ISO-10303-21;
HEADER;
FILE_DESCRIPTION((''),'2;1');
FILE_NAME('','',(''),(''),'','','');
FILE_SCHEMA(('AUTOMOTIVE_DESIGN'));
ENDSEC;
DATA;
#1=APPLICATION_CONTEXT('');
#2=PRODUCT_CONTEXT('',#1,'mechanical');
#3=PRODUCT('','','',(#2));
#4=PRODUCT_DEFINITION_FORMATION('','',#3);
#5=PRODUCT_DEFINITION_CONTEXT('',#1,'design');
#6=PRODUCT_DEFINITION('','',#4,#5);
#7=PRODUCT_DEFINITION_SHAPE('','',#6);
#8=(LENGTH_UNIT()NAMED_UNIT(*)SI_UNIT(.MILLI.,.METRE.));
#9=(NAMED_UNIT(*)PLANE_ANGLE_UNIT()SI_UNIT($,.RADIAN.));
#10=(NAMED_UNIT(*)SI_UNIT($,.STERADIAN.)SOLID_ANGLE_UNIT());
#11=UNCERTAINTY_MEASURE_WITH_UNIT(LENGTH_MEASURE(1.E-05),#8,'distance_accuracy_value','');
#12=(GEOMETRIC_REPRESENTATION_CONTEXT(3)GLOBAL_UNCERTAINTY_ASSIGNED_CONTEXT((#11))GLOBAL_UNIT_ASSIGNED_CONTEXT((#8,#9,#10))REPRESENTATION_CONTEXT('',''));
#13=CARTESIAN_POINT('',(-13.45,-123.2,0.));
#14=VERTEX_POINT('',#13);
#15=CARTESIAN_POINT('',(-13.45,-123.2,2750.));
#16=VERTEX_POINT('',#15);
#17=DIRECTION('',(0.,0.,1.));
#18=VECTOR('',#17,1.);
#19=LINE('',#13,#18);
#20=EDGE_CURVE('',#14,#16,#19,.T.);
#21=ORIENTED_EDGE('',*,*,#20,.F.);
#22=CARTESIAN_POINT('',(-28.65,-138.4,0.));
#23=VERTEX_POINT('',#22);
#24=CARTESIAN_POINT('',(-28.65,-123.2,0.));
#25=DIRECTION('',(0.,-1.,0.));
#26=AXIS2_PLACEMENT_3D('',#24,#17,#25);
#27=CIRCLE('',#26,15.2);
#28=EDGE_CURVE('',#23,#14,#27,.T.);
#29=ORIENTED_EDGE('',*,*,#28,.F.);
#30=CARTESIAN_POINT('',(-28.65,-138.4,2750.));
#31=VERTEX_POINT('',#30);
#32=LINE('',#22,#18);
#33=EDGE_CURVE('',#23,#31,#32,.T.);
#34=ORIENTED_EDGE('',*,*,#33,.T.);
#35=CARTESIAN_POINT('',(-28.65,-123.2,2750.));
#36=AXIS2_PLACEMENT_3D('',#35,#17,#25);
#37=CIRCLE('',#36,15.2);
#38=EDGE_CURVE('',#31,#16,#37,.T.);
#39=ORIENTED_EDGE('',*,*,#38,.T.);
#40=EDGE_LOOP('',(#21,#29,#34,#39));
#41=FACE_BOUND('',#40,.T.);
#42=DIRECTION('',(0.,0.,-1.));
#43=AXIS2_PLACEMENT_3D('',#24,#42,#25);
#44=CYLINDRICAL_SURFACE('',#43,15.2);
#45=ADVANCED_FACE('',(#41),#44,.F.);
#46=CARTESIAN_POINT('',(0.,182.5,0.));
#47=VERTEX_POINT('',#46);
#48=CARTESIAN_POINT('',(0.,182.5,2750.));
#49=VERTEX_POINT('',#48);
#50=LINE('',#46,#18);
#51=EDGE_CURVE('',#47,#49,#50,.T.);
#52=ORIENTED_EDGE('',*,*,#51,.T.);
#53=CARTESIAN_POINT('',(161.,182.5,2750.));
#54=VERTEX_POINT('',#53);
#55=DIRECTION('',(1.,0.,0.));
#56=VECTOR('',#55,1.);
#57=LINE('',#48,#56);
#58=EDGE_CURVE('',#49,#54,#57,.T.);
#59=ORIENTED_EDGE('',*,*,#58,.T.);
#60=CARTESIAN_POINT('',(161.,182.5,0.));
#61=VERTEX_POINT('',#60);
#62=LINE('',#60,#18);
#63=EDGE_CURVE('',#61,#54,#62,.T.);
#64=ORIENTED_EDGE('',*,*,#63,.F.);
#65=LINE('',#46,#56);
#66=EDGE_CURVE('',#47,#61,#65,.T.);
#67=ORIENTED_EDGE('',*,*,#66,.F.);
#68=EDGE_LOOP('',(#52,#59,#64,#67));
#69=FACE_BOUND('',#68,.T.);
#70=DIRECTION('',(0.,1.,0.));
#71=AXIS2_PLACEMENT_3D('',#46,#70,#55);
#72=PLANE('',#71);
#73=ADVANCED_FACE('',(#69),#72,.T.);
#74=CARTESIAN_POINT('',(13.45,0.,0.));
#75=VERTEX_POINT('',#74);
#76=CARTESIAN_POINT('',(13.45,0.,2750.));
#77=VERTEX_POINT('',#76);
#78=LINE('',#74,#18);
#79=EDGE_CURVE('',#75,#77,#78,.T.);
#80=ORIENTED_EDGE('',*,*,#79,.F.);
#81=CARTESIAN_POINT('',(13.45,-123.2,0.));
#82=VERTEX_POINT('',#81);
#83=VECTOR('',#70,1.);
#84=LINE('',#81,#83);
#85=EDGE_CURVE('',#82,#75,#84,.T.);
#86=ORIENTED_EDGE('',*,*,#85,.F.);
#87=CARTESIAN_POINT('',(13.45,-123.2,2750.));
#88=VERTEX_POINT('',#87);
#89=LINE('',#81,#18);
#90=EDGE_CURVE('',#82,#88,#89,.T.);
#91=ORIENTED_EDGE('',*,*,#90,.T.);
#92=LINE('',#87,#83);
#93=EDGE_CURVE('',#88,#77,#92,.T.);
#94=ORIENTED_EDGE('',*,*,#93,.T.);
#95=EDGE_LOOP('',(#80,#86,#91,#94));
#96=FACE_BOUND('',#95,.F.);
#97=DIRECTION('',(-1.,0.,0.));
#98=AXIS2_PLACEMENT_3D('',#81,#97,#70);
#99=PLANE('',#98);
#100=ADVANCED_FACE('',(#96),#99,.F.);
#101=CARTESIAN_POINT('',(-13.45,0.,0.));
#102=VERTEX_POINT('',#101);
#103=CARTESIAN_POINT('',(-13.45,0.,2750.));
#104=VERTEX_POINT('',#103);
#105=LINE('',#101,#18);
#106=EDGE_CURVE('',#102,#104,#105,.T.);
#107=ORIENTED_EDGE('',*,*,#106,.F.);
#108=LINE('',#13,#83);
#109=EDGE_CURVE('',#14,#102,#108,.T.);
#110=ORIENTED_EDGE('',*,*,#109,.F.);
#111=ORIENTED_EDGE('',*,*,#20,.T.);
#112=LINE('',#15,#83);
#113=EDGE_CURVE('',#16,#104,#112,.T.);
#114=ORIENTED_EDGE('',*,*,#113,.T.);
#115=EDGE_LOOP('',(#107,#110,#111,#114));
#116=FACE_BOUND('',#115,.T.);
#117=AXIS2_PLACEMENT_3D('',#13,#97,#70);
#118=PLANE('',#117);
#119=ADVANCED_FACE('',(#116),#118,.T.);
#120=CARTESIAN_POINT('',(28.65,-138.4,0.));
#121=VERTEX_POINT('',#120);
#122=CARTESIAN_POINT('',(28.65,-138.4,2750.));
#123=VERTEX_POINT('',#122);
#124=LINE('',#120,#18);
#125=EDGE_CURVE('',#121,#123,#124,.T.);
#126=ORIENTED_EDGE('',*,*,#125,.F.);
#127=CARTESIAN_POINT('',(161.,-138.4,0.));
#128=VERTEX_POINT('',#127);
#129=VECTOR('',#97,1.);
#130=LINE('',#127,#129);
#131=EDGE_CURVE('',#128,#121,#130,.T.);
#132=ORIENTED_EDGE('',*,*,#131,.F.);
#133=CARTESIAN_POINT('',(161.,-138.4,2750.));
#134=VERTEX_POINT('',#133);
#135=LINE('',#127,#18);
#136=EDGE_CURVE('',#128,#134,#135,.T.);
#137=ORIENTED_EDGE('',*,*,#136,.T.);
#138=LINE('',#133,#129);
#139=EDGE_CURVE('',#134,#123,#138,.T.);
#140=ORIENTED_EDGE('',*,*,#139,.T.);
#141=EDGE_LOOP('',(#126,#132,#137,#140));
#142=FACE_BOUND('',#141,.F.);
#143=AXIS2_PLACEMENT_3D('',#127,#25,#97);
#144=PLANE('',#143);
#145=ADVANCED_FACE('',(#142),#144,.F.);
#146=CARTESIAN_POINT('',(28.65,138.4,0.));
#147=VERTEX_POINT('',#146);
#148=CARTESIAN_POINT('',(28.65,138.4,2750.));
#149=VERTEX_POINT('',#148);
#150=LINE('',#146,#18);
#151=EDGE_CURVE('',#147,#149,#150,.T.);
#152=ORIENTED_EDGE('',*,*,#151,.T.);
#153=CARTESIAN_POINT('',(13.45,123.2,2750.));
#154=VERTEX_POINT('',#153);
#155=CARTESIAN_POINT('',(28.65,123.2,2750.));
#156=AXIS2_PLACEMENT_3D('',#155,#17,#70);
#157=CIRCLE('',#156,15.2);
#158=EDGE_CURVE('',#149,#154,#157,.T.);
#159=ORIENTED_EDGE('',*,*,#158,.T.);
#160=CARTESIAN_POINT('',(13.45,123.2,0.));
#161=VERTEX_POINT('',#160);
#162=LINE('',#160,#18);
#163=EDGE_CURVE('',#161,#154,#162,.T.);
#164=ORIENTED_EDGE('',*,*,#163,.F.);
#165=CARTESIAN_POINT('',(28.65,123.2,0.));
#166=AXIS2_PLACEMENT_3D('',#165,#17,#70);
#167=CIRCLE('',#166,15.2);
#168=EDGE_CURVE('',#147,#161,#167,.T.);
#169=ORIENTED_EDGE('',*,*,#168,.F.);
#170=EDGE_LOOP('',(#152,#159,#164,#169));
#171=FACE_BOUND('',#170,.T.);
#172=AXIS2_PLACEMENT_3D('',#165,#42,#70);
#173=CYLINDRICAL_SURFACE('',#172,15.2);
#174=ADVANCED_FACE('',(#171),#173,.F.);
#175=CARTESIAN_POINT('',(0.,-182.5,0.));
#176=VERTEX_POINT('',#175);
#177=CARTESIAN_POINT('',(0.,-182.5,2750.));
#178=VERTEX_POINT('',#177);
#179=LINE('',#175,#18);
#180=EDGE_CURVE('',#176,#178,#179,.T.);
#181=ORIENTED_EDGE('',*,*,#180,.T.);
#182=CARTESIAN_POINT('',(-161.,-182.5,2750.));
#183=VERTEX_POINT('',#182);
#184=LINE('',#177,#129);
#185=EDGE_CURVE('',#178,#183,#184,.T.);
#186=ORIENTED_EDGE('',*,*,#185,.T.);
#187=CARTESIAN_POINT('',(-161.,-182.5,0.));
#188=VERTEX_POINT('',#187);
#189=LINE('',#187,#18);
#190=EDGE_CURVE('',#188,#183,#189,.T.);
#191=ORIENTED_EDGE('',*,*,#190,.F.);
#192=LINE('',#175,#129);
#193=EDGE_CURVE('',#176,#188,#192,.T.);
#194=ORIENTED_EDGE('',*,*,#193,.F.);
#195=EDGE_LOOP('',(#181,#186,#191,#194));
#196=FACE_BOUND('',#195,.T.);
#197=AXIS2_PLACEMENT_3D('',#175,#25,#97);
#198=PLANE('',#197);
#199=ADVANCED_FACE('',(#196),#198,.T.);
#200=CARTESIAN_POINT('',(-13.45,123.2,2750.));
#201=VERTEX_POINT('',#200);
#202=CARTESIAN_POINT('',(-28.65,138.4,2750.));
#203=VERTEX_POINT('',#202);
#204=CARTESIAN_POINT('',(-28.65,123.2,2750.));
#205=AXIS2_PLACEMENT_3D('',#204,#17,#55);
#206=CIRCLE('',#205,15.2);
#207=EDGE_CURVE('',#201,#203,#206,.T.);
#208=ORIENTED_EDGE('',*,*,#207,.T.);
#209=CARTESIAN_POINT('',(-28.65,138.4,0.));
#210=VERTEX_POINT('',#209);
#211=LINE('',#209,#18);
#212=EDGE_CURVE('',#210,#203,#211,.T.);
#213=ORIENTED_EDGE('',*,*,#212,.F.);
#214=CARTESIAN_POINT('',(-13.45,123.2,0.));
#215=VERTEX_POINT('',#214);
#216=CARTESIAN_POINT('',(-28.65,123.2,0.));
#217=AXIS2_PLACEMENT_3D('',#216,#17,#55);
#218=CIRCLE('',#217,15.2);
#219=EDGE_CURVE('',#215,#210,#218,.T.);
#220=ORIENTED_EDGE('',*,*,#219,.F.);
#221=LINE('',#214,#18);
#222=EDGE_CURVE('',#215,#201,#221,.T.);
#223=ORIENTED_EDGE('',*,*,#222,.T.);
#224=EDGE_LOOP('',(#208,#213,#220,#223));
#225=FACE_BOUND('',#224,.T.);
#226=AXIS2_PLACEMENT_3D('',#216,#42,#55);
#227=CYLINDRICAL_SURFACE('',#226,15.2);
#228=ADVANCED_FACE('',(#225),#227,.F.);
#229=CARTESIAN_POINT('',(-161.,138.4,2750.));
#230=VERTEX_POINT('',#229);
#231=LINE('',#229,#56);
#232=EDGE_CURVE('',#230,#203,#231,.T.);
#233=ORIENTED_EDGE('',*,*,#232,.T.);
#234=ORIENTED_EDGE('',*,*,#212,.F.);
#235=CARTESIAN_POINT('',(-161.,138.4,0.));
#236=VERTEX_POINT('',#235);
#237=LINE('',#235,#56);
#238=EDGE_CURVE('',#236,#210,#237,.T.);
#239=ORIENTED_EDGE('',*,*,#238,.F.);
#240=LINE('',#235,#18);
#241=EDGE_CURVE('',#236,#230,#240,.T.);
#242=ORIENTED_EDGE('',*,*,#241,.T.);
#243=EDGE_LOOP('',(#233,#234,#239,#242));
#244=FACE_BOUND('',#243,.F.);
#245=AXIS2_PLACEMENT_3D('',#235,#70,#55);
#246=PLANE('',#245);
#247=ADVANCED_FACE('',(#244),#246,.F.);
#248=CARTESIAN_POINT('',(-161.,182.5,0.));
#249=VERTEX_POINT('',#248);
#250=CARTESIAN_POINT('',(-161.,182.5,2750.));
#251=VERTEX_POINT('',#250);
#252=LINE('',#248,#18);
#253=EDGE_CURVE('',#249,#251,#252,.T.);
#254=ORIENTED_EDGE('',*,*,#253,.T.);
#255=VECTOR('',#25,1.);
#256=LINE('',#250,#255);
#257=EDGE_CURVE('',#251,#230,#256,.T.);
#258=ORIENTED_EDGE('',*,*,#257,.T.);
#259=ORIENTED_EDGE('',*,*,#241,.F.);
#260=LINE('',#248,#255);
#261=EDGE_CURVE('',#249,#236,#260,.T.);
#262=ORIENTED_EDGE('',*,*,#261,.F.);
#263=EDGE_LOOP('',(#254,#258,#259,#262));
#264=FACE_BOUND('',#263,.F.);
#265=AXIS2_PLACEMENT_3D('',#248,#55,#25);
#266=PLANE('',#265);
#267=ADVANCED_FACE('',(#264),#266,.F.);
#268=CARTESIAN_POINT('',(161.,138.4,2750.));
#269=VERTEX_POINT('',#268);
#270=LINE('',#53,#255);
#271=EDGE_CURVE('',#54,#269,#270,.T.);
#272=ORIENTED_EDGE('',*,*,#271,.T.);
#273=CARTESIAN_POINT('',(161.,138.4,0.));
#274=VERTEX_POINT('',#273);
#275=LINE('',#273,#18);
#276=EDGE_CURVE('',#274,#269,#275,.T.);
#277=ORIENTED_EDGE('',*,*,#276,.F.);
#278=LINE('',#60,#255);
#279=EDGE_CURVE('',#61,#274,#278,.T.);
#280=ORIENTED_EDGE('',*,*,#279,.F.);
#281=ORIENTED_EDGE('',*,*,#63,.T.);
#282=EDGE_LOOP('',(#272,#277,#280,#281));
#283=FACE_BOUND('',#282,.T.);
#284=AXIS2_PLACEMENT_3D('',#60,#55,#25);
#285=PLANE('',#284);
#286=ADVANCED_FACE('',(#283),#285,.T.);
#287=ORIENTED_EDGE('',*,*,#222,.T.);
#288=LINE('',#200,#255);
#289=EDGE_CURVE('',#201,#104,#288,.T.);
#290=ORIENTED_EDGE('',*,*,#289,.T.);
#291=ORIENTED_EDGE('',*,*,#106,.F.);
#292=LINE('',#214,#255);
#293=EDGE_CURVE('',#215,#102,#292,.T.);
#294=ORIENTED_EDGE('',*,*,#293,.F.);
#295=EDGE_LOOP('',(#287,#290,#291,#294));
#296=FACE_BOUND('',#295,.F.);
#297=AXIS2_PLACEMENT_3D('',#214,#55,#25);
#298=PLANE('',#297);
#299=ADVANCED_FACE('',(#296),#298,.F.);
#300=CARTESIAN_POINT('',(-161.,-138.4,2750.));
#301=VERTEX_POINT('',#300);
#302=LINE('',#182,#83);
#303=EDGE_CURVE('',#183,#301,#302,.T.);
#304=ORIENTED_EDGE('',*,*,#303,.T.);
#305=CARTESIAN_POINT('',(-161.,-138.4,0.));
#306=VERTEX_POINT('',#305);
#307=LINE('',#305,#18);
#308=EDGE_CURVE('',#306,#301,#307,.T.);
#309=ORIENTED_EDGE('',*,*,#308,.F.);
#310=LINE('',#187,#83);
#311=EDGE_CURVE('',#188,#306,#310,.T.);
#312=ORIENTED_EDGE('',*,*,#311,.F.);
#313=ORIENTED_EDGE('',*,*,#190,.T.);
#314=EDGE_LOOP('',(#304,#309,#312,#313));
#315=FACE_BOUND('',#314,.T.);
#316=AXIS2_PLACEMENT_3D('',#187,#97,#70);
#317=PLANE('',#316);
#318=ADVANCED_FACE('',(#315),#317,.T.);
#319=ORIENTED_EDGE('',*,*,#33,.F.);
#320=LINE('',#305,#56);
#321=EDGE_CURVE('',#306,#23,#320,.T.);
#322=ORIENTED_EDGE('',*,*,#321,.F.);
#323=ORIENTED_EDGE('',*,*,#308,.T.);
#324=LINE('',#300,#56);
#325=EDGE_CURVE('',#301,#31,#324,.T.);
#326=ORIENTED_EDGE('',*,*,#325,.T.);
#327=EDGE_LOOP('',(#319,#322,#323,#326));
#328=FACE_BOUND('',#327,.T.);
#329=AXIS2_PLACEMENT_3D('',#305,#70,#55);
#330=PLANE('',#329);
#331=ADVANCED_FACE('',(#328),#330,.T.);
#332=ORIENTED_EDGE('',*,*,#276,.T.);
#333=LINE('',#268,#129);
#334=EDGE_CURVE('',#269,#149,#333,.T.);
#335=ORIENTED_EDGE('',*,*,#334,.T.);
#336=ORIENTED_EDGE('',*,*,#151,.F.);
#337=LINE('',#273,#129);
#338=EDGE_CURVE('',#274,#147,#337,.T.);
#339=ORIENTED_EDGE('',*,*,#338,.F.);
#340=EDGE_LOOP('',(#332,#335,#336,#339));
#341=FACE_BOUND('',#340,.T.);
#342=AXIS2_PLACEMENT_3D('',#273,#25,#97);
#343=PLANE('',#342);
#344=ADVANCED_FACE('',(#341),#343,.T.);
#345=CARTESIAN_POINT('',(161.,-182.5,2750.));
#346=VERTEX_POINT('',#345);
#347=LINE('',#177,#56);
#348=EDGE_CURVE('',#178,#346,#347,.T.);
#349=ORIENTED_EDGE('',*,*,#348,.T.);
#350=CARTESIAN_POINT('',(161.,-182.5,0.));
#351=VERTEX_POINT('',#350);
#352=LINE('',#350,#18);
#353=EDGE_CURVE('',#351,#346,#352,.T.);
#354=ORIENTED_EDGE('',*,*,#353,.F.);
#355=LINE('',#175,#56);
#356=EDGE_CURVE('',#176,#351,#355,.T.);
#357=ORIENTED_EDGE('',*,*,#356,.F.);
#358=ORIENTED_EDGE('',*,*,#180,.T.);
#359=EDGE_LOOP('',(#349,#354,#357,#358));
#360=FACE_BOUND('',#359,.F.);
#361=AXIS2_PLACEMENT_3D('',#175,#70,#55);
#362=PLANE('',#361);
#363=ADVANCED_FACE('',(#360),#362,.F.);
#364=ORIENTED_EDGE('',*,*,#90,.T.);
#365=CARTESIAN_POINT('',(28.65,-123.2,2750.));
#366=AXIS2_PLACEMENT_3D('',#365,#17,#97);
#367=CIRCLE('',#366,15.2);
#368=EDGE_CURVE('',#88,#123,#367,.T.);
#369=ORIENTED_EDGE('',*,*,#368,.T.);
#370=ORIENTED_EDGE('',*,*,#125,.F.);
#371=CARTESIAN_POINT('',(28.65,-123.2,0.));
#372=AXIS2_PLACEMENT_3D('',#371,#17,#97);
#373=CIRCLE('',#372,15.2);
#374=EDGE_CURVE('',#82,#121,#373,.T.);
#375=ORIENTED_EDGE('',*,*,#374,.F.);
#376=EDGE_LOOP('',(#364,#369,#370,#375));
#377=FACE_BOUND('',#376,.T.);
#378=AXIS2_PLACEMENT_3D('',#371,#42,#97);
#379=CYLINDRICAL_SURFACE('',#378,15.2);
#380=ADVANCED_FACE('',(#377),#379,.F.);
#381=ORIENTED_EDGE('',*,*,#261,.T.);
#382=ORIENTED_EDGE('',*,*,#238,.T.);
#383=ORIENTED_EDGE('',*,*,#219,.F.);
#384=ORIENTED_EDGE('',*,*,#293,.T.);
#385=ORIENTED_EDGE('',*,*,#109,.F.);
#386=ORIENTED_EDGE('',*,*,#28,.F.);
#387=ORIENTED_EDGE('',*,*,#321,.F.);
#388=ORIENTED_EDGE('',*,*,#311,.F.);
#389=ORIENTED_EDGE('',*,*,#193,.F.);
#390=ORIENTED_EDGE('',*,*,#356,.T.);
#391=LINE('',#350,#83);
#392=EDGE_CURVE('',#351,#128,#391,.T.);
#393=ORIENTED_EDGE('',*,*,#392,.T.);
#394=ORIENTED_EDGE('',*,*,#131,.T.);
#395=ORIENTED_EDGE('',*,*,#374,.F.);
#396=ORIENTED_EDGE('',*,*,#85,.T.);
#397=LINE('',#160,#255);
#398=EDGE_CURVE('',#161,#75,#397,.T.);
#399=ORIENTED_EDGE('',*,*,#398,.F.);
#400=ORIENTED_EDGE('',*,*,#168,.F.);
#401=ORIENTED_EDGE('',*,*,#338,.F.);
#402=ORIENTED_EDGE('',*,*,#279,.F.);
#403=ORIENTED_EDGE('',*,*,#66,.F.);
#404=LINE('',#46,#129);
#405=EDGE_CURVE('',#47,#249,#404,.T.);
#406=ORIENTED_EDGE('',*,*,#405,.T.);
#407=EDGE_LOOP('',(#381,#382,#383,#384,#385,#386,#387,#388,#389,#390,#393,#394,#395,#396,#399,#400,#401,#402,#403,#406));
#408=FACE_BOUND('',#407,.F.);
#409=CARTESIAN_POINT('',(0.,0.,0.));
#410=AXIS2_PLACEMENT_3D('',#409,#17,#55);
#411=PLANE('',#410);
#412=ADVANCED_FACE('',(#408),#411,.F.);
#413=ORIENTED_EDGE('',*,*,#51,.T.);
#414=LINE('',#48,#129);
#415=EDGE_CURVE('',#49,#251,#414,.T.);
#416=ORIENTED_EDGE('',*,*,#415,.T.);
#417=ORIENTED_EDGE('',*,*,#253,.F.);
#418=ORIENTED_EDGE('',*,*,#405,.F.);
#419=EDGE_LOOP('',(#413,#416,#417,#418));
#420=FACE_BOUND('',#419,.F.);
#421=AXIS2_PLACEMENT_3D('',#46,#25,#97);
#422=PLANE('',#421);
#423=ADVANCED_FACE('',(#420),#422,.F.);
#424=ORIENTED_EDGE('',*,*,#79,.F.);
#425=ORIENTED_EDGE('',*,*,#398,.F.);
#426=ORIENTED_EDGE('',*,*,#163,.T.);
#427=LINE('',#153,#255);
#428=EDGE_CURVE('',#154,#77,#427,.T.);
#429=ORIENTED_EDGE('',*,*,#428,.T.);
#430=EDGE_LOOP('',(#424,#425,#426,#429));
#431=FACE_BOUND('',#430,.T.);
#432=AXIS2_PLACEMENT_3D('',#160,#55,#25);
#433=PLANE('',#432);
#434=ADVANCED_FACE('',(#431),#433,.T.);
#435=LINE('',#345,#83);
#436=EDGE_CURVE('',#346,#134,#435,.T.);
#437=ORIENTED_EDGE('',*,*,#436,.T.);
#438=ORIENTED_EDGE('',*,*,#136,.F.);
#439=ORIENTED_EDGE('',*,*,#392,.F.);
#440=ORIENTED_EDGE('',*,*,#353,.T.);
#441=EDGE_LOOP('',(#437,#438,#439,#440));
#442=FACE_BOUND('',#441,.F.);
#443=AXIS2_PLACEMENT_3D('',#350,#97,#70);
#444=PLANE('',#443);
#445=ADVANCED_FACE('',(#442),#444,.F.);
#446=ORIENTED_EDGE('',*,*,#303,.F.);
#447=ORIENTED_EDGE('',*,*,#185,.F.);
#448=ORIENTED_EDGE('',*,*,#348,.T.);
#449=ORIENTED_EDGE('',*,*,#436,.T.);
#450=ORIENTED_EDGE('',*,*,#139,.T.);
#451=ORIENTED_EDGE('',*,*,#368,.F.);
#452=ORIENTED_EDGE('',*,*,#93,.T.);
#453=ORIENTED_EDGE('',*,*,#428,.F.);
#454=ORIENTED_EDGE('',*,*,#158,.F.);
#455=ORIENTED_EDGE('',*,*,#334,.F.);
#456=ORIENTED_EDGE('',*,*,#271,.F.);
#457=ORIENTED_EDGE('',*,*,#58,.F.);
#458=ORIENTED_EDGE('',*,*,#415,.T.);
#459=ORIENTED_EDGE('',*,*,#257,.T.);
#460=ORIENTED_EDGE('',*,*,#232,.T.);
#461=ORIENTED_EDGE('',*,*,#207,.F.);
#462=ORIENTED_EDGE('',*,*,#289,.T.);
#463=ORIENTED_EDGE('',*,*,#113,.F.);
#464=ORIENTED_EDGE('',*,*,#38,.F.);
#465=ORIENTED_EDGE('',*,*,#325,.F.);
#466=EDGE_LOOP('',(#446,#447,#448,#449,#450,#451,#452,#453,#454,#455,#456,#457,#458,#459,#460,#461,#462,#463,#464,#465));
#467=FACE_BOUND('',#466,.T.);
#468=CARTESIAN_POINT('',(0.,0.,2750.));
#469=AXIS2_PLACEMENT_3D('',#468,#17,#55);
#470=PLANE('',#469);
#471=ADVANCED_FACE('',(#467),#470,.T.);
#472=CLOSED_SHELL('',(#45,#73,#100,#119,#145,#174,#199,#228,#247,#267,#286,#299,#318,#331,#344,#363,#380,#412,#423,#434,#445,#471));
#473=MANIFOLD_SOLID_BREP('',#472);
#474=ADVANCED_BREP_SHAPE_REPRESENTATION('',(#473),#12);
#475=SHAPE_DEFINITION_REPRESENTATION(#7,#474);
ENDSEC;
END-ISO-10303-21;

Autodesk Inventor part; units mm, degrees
ref_plane "YZ Plane" through (0, 0, 0) normal (1, 0, 0) x (0, 1, 0)
ref_plane "Start plane" through (0, 0, 0) normal (0, 0, 1) x (1, 0, 0)
ref_plane "End plane" through (0, 0, 2750) normal (0, 0, 1) x (1, 0, 0)
sketch "Sketch" plane through (0, 0, 0) normal (0, 0, 1) x (1, 0, 0)
  line L0 (-161, -182.5) -> (-161, -138.4)
  line L1 (-161, -138.4) -> (-28.65, -138.4)
  line L2 (-13.45, -123.2) -> (-13.45, 0)
  line L3 (-13.45, 0) -> (0, 0) construction
  line L4 (0, 0) -> (0, -182.5) construction
  line L5 (0, -182.5) -> (-161, -182.5)
  line L6 (-60, 0) -> (80, 0) construction
  line L7 (0, -60) -> (0, 80) construction
  line L8 (161, -182.5) -> (161, -138.4)
  line L9 (161, -138.4) -> (28.65, -138.4)
  line L10 (13.45, -123.2) -> (13.45, 0)
  line L11 (13.45, 0) -> (0, 0) construction
  line L12 (0, -182.5) -> (161, -182.5)
  line L13 (-161, 182.5) -> (-161, 138.4)
  line L14 (-161, 138.4) -> (-28.65, 138.4)
  line L15 (-13.45, 123.2) -> (-13.45, 0)
  line L16 (0, 182.5) -> (-161, 182.5)
  line L17 (161, 182.5) -> (161, 138.4)
  line L18 (161, 138.4) -> (28.65, 138.4)
  line L19 (0, 182.5) -> (161, 182.5)
  line L20 (13.45, 123.2) -> (13.45, 0)
  arc A0 (-13.45, 123.2) -> (-28.65, 138.4) centre (-28.65, 123.2) ccw
  arc A1 (28.65, 138.4) -> (13.45, 123.2) centre (28.65, 123.2) ccw
  arc A2 (13.45, -123.2) -> (28.65, -138.4) centre (28.65, -123.2) ccw
  arc A3 (-28.65, -138.4) -> (-13.45, -123.2) centre (-28.65, -123.2) ccw
  line L21 (0, 108) -> (0, -88) construction
  line L22 (-88, 0) -> (108, 0) construction
  point P0 (-13.45, -138.4)
  point P1 (13.45, -138.4)
  point P2 (-13.45, 138.4)
  point P3 (13.45, 138.4)
  dimension "d1" = 182.5
  dimension "d2" = 44.1
  dimension "d3" = 161
  dimension "d4" = 13.45
  dimension "d10" = 15.2
extrude "Body" add sketch "Sketch" along normal up to surface (2750 mm away) from surface at 0
sketch "Sketch4" plane through (0, 0, 0) normal (0, 0, 1) x (1, 0, 0)
  line L0 (0, 0) -> (10, 0)
ref_plane "Work Plane3" through (0, 0, 0) normal (0, -1, 0) x (1, 0, 0)
sketch "Sketch5" plane through (0, 0, 0) normal (0, -1, 0) x (1, 0, 0)
  line L0 (-2, 0) -> (12, 0) projected
  line L1 (-2, 2750) -> (12, 2750) projected
  dimension "d14" = 2750
equation "\"d1\" = 0.5 * G_H"
equation "\"d2\" = G_T1"
equation "\"d3\" = 0.5 * G_W"
equation "\"d4\" = 0.5 * G_T"
equation "\"d10\" = G_IR"
equation "\"d5\" = G_L"
equation "\"G_W\" = 322"
equation "\"G_H\" = 365"
equation "\"G_T\" = 26.9"
equation "\"G_T1\" = 44.1"
equation "\"G_IR\" = 15.2"
equation "\"G_L\" = d14"
equation "\"G_OFFSET_START\" = 0"
equation "\"G_OFFSET_END\" = 0"
properties part number "AS 3679 - 310 UC - 283 - 2750" material "Steel, Mild"
